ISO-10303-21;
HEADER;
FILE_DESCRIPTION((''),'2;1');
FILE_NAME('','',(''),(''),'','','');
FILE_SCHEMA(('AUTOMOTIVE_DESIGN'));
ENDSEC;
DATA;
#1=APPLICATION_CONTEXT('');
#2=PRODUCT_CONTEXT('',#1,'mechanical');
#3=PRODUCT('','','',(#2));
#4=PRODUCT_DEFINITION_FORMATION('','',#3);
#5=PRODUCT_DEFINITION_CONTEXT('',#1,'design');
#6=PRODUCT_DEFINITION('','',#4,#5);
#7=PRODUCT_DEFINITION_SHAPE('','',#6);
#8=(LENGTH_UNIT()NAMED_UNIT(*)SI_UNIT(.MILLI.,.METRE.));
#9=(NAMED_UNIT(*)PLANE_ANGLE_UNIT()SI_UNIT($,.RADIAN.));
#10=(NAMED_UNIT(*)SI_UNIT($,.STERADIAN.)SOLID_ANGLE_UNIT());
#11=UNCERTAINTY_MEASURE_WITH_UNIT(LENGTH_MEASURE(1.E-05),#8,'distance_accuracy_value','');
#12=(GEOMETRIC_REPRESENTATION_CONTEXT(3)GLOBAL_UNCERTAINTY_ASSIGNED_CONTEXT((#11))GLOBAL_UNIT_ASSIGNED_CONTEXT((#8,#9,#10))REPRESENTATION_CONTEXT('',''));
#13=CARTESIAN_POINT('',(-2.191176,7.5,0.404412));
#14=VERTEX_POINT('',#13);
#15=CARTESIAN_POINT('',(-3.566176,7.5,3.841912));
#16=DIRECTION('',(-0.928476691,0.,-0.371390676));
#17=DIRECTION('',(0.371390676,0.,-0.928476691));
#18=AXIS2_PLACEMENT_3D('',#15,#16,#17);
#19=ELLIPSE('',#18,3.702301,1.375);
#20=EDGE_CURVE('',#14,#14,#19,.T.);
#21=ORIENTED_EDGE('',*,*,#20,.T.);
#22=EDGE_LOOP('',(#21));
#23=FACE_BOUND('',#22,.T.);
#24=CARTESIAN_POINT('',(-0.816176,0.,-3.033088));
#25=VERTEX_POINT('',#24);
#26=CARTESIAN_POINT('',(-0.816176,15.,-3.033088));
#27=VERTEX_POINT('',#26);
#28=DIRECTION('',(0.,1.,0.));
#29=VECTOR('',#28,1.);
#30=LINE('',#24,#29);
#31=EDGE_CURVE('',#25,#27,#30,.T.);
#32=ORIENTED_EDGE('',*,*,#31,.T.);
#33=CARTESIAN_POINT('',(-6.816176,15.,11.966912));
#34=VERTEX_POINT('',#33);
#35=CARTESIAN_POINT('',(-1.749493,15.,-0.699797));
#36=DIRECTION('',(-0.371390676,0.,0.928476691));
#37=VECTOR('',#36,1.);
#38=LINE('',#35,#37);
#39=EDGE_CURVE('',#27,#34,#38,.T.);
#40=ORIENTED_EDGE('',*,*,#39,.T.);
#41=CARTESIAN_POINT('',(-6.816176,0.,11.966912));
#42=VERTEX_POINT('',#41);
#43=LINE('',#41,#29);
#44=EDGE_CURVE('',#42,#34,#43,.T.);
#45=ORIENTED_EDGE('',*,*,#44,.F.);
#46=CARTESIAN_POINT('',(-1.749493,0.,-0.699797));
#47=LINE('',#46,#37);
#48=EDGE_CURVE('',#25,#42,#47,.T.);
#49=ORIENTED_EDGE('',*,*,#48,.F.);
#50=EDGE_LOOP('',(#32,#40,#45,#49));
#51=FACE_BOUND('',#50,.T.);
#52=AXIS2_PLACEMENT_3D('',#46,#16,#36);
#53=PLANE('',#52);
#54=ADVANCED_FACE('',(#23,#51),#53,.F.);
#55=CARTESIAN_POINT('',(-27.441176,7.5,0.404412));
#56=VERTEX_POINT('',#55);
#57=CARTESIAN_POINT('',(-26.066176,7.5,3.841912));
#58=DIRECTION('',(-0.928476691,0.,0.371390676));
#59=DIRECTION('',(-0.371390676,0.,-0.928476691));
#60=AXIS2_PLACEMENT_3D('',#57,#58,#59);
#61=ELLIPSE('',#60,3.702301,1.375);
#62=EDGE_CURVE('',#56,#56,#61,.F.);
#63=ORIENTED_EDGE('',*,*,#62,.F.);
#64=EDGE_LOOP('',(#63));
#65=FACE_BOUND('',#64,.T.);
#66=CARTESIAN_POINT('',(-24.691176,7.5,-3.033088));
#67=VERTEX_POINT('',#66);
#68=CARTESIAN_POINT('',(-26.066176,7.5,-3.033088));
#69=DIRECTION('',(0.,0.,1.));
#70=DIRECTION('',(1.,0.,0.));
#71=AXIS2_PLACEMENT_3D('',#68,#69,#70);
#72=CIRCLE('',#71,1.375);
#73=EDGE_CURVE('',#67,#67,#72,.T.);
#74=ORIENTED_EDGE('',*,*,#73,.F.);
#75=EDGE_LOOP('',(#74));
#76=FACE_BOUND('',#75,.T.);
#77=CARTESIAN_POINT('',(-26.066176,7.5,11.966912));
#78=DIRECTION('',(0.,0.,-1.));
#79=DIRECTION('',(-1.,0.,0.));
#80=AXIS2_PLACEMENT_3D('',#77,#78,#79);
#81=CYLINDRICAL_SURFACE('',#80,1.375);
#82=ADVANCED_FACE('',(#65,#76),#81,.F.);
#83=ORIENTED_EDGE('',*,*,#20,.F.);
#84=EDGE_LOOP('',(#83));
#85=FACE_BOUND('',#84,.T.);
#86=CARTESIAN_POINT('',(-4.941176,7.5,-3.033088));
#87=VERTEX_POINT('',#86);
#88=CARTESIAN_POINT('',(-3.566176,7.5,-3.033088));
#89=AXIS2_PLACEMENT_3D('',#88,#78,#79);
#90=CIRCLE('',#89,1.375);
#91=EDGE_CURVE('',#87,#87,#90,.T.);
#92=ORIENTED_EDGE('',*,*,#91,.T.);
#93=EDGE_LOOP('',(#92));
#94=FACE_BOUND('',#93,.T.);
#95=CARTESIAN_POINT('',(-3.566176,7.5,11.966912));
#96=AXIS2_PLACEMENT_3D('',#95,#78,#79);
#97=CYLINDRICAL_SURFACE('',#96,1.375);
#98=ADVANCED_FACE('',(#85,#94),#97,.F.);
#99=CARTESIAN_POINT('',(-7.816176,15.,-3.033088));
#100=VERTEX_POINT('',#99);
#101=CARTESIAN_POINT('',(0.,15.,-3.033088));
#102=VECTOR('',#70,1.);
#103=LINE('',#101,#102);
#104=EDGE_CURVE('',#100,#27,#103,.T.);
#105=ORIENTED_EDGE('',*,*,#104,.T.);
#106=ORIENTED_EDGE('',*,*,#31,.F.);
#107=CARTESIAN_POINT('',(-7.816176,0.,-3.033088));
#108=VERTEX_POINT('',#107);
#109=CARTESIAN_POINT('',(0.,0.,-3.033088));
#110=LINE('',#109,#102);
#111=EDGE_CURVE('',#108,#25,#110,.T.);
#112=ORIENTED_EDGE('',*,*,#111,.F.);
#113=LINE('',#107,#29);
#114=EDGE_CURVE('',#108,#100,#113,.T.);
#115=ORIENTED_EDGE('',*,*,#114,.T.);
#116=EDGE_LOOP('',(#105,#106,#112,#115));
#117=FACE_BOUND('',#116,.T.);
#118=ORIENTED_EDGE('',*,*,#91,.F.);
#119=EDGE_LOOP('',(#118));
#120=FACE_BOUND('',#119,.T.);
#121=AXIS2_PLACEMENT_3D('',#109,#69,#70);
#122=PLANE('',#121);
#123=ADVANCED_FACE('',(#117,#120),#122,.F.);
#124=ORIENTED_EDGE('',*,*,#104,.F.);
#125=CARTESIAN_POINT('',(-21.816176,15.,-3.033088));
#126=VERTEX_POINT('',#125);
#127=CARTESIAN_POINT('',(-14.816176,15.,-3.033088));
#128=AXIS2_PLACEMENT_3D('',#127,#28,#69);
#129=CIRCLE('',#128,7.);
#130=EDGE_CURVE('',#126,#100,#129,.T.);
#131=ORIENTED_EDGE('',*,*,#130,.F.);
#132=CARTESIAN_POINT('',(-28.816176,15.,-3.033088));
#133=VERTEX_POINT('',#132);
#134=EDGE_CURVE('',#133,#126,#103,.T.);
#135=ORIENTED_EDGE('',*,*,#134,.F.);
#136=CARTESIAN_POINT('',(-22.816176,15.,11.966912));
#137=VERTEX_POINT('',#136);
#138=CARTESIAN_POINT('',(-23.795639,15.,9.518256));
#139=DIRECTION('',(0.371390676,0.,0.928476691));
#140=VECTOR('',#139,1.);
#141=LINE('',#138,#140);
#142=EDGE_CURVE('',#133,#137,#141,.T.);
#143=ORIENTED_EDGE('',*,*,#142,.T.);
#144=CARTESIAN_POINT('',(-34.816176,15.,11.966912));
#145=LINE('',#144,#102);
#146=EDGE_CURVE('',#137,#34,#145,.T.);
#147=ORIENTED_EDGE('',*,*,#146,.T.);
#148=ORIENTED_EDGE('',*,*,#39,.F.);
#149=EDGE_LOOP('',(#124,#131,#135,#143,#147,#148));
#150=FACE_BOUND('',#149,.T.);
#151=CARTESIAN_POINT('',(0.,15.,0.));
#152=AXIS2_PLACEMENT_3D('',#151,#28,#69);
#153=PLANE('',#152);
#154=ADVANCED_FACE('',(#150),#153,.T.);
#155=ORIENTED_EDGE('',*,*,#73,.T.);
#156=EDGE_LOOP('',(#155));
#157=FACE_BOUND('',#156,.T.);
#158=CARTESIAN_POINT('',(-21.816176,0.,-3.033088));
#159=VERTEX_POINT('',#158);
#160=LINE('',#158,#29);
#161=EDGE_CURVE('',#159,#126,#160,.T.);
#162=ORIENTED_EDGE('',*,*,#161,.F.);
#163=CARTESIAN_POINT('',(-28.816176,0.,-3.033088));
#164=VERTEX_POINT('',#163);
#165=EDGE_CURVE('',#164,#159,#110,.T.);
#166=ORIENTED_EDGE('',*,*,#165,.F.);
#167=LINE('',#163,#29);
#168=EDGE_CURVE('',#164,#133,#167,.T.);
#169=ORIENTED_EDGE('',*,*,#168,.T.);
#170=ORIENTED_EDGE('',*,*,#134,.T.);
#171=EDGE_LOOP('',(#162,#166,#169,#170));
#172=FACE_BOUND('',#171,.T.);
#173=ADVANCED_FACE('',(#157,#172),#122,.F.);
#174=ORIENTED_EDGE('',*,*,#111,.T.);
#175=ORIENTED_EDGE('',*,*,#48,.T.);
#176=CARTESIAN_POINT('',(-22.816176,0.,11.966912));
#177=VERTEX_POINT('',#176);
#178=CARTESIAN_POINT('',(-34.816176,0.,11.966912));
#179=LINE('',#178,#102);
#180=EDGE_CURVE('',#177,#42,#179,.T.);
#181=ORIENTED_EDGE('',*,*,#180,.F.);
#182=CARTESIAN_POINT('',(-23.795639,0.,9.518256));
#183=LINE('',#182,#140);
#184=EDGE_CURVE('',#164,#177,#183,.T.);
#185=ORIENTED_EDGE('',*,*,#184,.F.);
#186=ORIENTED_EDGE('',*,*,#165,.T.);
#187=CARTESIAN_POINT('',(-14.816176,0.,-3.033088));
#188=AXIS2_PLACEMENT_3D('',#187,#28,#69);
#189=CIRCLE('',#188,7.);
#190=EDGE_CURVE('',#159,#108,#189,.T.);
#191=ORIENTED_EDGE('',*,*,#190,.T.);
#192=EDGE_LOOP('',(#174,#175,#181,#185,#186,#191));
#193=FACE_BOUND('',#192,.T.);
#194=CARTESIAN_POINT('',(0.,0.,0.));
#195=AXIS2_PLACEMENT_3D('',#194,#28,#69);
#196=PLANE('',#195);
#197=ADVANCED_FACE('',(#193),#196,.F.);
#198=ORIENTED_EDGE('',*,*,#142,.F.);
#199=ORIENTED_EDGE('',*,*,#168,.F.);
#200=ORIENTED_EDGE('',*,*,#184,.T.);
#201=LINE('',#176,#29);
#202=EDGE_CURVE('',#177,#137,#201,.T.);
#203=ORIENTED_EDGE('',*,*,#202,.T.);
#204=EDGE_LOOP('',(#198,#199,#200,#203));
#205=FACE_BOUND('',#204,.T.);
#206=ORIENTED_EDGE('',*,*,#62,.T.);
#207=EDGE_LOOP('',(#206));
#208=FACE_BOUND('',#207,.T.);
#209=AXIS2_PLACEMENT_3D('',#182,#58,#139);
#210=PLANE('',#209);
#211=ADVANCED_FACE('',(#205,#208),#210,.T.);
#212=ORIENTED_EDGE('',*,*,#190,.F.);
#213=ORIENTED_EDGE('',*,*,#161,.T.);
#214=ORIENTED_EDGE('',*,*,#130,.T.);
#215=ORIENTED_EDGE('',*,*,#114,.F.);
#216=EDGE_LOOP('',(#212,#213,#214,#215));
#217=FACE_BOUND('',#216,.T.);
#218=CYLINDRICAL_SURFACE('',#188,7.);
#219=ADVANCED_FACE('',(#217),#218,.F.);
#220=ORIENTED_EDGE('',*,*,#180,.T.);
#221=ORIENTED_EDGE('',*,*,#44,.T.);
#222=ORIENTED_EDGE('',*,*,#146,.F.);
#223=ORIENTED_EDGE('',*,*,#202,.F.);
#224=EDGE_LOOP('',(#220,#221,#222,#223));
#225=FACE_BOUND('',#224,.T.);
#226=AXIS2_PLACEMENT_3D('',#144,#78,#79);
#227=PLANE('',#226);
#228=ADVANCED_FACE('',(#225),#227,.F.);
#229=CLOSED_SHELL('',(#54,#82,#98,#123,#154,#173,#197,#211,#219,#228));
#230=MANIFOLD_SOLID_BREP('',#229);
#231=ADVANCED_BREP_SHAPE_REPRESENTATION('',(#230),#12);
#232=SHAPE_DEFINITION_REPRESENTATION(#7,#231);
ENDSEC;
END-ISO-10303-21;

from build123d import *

# Parameters (mm, degrees)
SKETCH1_W           = 40
SKETCH1_H           = 30
BOSS_EXTRUDE1_DEPTH = 15
CUT_EXTRUDE1_DEPTH  = 15
SKETCH3_R           = 1.375
CUT_EXTRUDE2_DEPTH  = 15


with BuildPart() as part:
    # Sketch1 → Boss-Extrude1 (new body)
    with BuildSketch(Plane(origin=(0, 0, 0), x_dir=(1, 0, 0), z_dir=(0, 1, 0))):
        with Locations((-14.816176471, 3.033088235)):
            Rectangle(SKETCH1_W, SKETCH1_H)
    extrude(amount=BOSS_EXTRUDE1_DEPTH)

    # Sketch2 → Cut-Extrude1 (cut)
    with BuildSketch(Plane(origin=(0, 15, 0), x_dir=(1, 0, 0), z_dir=(0, 1, 0))):
        Polygon((-28.816176471, 3.033088235), (-28.816176471, 18.033088235), (-34.816176471, 18.033088235), align=None)
        with BuildLine():
            Line((-0.816176471, 18.033088235), (-28.816176471, 18.033088235))
            Line((-28.816176471, 18.033088235), (-28.816176471, 3.033088235))
            Line((-28.816176471, 3.033088235), (-21.816176471, 3.033088235))
            ThreePointArc((-21.816176471, 3.033088235), (-14.816176471, 10.033088235), (-7.816176471, 3.033088235))
            Line((-7.816176471, 3.033088235), (-0.816176471, 3.033088235))
            Line((-0.816176471, 3.033088235), (-0.816176471, 18.033088235))
        make_face()
        Polygon((5.183823529, 18.033088235), (-0.816176471, 18.033088235), (-0.816176471, 3.033088235), align=None)
        Polygon((5.183823529, 18.033088235), (-0.816176471, 3.033088235), (-0.816176471, -11.966911765), (5.183823529, -11.966911765), align=None)
        Polygon((-0.816176471, -11.966911765), (-0.816176471, 3.033088235), (-6.816176471, -11.966911765), align=None)
        Polygon((-22.816176471, -11.966911765), (-28.816176471, 3.033088235), (-28.816176471, -11.966911765), align=None)
        Polygon((-28.816176471, -11.966911765), (-28.816176471, 3.033088235), (-34.816176471, 18.033088235), (-34.816176471, -11.966911765), align=None)
        with BuildLine():
            ThreePointArc((-7.816176471, 3.033088235), (-14.816176471, 10.033088235), (-21.816176471, 3.033088235))
            Line((-21.816176471, 3.033088235), (-7.816176471, 3.033088235))
        make_face()
        with BuildLine():
            Line((-7.816176471, 3.033088235), (-21.816176471, 3.033088235))
            ThreePointArc((-21.816176471, 3.033088235), (-14.816176471, -3.966911765), (-7.816176471, 3.033088235))
        make_face()
    extrude(amount=-CUT_EXTRUDE1_DEPTH, mode=Mode.SUBTRACT)

    # Sketch3 → Cut-Extrude2 (cut)
    with BuildSketch(Plane(origin=(0, 0, -3.033088235), x_dir=(-1, 0, 0), z_dir=(0, 0, -1))):
        with Locations((3.566176471, 7.5)):
            Circle(SKETCH3_R)
        with Locations((26.066176471, 7.5)):
            Circle(SKETCH3_R)
    extrude(amount=-CUT_EXTRUDE2_DEPTH, mode=Mode.SUBTRACT)


solid = part.part
